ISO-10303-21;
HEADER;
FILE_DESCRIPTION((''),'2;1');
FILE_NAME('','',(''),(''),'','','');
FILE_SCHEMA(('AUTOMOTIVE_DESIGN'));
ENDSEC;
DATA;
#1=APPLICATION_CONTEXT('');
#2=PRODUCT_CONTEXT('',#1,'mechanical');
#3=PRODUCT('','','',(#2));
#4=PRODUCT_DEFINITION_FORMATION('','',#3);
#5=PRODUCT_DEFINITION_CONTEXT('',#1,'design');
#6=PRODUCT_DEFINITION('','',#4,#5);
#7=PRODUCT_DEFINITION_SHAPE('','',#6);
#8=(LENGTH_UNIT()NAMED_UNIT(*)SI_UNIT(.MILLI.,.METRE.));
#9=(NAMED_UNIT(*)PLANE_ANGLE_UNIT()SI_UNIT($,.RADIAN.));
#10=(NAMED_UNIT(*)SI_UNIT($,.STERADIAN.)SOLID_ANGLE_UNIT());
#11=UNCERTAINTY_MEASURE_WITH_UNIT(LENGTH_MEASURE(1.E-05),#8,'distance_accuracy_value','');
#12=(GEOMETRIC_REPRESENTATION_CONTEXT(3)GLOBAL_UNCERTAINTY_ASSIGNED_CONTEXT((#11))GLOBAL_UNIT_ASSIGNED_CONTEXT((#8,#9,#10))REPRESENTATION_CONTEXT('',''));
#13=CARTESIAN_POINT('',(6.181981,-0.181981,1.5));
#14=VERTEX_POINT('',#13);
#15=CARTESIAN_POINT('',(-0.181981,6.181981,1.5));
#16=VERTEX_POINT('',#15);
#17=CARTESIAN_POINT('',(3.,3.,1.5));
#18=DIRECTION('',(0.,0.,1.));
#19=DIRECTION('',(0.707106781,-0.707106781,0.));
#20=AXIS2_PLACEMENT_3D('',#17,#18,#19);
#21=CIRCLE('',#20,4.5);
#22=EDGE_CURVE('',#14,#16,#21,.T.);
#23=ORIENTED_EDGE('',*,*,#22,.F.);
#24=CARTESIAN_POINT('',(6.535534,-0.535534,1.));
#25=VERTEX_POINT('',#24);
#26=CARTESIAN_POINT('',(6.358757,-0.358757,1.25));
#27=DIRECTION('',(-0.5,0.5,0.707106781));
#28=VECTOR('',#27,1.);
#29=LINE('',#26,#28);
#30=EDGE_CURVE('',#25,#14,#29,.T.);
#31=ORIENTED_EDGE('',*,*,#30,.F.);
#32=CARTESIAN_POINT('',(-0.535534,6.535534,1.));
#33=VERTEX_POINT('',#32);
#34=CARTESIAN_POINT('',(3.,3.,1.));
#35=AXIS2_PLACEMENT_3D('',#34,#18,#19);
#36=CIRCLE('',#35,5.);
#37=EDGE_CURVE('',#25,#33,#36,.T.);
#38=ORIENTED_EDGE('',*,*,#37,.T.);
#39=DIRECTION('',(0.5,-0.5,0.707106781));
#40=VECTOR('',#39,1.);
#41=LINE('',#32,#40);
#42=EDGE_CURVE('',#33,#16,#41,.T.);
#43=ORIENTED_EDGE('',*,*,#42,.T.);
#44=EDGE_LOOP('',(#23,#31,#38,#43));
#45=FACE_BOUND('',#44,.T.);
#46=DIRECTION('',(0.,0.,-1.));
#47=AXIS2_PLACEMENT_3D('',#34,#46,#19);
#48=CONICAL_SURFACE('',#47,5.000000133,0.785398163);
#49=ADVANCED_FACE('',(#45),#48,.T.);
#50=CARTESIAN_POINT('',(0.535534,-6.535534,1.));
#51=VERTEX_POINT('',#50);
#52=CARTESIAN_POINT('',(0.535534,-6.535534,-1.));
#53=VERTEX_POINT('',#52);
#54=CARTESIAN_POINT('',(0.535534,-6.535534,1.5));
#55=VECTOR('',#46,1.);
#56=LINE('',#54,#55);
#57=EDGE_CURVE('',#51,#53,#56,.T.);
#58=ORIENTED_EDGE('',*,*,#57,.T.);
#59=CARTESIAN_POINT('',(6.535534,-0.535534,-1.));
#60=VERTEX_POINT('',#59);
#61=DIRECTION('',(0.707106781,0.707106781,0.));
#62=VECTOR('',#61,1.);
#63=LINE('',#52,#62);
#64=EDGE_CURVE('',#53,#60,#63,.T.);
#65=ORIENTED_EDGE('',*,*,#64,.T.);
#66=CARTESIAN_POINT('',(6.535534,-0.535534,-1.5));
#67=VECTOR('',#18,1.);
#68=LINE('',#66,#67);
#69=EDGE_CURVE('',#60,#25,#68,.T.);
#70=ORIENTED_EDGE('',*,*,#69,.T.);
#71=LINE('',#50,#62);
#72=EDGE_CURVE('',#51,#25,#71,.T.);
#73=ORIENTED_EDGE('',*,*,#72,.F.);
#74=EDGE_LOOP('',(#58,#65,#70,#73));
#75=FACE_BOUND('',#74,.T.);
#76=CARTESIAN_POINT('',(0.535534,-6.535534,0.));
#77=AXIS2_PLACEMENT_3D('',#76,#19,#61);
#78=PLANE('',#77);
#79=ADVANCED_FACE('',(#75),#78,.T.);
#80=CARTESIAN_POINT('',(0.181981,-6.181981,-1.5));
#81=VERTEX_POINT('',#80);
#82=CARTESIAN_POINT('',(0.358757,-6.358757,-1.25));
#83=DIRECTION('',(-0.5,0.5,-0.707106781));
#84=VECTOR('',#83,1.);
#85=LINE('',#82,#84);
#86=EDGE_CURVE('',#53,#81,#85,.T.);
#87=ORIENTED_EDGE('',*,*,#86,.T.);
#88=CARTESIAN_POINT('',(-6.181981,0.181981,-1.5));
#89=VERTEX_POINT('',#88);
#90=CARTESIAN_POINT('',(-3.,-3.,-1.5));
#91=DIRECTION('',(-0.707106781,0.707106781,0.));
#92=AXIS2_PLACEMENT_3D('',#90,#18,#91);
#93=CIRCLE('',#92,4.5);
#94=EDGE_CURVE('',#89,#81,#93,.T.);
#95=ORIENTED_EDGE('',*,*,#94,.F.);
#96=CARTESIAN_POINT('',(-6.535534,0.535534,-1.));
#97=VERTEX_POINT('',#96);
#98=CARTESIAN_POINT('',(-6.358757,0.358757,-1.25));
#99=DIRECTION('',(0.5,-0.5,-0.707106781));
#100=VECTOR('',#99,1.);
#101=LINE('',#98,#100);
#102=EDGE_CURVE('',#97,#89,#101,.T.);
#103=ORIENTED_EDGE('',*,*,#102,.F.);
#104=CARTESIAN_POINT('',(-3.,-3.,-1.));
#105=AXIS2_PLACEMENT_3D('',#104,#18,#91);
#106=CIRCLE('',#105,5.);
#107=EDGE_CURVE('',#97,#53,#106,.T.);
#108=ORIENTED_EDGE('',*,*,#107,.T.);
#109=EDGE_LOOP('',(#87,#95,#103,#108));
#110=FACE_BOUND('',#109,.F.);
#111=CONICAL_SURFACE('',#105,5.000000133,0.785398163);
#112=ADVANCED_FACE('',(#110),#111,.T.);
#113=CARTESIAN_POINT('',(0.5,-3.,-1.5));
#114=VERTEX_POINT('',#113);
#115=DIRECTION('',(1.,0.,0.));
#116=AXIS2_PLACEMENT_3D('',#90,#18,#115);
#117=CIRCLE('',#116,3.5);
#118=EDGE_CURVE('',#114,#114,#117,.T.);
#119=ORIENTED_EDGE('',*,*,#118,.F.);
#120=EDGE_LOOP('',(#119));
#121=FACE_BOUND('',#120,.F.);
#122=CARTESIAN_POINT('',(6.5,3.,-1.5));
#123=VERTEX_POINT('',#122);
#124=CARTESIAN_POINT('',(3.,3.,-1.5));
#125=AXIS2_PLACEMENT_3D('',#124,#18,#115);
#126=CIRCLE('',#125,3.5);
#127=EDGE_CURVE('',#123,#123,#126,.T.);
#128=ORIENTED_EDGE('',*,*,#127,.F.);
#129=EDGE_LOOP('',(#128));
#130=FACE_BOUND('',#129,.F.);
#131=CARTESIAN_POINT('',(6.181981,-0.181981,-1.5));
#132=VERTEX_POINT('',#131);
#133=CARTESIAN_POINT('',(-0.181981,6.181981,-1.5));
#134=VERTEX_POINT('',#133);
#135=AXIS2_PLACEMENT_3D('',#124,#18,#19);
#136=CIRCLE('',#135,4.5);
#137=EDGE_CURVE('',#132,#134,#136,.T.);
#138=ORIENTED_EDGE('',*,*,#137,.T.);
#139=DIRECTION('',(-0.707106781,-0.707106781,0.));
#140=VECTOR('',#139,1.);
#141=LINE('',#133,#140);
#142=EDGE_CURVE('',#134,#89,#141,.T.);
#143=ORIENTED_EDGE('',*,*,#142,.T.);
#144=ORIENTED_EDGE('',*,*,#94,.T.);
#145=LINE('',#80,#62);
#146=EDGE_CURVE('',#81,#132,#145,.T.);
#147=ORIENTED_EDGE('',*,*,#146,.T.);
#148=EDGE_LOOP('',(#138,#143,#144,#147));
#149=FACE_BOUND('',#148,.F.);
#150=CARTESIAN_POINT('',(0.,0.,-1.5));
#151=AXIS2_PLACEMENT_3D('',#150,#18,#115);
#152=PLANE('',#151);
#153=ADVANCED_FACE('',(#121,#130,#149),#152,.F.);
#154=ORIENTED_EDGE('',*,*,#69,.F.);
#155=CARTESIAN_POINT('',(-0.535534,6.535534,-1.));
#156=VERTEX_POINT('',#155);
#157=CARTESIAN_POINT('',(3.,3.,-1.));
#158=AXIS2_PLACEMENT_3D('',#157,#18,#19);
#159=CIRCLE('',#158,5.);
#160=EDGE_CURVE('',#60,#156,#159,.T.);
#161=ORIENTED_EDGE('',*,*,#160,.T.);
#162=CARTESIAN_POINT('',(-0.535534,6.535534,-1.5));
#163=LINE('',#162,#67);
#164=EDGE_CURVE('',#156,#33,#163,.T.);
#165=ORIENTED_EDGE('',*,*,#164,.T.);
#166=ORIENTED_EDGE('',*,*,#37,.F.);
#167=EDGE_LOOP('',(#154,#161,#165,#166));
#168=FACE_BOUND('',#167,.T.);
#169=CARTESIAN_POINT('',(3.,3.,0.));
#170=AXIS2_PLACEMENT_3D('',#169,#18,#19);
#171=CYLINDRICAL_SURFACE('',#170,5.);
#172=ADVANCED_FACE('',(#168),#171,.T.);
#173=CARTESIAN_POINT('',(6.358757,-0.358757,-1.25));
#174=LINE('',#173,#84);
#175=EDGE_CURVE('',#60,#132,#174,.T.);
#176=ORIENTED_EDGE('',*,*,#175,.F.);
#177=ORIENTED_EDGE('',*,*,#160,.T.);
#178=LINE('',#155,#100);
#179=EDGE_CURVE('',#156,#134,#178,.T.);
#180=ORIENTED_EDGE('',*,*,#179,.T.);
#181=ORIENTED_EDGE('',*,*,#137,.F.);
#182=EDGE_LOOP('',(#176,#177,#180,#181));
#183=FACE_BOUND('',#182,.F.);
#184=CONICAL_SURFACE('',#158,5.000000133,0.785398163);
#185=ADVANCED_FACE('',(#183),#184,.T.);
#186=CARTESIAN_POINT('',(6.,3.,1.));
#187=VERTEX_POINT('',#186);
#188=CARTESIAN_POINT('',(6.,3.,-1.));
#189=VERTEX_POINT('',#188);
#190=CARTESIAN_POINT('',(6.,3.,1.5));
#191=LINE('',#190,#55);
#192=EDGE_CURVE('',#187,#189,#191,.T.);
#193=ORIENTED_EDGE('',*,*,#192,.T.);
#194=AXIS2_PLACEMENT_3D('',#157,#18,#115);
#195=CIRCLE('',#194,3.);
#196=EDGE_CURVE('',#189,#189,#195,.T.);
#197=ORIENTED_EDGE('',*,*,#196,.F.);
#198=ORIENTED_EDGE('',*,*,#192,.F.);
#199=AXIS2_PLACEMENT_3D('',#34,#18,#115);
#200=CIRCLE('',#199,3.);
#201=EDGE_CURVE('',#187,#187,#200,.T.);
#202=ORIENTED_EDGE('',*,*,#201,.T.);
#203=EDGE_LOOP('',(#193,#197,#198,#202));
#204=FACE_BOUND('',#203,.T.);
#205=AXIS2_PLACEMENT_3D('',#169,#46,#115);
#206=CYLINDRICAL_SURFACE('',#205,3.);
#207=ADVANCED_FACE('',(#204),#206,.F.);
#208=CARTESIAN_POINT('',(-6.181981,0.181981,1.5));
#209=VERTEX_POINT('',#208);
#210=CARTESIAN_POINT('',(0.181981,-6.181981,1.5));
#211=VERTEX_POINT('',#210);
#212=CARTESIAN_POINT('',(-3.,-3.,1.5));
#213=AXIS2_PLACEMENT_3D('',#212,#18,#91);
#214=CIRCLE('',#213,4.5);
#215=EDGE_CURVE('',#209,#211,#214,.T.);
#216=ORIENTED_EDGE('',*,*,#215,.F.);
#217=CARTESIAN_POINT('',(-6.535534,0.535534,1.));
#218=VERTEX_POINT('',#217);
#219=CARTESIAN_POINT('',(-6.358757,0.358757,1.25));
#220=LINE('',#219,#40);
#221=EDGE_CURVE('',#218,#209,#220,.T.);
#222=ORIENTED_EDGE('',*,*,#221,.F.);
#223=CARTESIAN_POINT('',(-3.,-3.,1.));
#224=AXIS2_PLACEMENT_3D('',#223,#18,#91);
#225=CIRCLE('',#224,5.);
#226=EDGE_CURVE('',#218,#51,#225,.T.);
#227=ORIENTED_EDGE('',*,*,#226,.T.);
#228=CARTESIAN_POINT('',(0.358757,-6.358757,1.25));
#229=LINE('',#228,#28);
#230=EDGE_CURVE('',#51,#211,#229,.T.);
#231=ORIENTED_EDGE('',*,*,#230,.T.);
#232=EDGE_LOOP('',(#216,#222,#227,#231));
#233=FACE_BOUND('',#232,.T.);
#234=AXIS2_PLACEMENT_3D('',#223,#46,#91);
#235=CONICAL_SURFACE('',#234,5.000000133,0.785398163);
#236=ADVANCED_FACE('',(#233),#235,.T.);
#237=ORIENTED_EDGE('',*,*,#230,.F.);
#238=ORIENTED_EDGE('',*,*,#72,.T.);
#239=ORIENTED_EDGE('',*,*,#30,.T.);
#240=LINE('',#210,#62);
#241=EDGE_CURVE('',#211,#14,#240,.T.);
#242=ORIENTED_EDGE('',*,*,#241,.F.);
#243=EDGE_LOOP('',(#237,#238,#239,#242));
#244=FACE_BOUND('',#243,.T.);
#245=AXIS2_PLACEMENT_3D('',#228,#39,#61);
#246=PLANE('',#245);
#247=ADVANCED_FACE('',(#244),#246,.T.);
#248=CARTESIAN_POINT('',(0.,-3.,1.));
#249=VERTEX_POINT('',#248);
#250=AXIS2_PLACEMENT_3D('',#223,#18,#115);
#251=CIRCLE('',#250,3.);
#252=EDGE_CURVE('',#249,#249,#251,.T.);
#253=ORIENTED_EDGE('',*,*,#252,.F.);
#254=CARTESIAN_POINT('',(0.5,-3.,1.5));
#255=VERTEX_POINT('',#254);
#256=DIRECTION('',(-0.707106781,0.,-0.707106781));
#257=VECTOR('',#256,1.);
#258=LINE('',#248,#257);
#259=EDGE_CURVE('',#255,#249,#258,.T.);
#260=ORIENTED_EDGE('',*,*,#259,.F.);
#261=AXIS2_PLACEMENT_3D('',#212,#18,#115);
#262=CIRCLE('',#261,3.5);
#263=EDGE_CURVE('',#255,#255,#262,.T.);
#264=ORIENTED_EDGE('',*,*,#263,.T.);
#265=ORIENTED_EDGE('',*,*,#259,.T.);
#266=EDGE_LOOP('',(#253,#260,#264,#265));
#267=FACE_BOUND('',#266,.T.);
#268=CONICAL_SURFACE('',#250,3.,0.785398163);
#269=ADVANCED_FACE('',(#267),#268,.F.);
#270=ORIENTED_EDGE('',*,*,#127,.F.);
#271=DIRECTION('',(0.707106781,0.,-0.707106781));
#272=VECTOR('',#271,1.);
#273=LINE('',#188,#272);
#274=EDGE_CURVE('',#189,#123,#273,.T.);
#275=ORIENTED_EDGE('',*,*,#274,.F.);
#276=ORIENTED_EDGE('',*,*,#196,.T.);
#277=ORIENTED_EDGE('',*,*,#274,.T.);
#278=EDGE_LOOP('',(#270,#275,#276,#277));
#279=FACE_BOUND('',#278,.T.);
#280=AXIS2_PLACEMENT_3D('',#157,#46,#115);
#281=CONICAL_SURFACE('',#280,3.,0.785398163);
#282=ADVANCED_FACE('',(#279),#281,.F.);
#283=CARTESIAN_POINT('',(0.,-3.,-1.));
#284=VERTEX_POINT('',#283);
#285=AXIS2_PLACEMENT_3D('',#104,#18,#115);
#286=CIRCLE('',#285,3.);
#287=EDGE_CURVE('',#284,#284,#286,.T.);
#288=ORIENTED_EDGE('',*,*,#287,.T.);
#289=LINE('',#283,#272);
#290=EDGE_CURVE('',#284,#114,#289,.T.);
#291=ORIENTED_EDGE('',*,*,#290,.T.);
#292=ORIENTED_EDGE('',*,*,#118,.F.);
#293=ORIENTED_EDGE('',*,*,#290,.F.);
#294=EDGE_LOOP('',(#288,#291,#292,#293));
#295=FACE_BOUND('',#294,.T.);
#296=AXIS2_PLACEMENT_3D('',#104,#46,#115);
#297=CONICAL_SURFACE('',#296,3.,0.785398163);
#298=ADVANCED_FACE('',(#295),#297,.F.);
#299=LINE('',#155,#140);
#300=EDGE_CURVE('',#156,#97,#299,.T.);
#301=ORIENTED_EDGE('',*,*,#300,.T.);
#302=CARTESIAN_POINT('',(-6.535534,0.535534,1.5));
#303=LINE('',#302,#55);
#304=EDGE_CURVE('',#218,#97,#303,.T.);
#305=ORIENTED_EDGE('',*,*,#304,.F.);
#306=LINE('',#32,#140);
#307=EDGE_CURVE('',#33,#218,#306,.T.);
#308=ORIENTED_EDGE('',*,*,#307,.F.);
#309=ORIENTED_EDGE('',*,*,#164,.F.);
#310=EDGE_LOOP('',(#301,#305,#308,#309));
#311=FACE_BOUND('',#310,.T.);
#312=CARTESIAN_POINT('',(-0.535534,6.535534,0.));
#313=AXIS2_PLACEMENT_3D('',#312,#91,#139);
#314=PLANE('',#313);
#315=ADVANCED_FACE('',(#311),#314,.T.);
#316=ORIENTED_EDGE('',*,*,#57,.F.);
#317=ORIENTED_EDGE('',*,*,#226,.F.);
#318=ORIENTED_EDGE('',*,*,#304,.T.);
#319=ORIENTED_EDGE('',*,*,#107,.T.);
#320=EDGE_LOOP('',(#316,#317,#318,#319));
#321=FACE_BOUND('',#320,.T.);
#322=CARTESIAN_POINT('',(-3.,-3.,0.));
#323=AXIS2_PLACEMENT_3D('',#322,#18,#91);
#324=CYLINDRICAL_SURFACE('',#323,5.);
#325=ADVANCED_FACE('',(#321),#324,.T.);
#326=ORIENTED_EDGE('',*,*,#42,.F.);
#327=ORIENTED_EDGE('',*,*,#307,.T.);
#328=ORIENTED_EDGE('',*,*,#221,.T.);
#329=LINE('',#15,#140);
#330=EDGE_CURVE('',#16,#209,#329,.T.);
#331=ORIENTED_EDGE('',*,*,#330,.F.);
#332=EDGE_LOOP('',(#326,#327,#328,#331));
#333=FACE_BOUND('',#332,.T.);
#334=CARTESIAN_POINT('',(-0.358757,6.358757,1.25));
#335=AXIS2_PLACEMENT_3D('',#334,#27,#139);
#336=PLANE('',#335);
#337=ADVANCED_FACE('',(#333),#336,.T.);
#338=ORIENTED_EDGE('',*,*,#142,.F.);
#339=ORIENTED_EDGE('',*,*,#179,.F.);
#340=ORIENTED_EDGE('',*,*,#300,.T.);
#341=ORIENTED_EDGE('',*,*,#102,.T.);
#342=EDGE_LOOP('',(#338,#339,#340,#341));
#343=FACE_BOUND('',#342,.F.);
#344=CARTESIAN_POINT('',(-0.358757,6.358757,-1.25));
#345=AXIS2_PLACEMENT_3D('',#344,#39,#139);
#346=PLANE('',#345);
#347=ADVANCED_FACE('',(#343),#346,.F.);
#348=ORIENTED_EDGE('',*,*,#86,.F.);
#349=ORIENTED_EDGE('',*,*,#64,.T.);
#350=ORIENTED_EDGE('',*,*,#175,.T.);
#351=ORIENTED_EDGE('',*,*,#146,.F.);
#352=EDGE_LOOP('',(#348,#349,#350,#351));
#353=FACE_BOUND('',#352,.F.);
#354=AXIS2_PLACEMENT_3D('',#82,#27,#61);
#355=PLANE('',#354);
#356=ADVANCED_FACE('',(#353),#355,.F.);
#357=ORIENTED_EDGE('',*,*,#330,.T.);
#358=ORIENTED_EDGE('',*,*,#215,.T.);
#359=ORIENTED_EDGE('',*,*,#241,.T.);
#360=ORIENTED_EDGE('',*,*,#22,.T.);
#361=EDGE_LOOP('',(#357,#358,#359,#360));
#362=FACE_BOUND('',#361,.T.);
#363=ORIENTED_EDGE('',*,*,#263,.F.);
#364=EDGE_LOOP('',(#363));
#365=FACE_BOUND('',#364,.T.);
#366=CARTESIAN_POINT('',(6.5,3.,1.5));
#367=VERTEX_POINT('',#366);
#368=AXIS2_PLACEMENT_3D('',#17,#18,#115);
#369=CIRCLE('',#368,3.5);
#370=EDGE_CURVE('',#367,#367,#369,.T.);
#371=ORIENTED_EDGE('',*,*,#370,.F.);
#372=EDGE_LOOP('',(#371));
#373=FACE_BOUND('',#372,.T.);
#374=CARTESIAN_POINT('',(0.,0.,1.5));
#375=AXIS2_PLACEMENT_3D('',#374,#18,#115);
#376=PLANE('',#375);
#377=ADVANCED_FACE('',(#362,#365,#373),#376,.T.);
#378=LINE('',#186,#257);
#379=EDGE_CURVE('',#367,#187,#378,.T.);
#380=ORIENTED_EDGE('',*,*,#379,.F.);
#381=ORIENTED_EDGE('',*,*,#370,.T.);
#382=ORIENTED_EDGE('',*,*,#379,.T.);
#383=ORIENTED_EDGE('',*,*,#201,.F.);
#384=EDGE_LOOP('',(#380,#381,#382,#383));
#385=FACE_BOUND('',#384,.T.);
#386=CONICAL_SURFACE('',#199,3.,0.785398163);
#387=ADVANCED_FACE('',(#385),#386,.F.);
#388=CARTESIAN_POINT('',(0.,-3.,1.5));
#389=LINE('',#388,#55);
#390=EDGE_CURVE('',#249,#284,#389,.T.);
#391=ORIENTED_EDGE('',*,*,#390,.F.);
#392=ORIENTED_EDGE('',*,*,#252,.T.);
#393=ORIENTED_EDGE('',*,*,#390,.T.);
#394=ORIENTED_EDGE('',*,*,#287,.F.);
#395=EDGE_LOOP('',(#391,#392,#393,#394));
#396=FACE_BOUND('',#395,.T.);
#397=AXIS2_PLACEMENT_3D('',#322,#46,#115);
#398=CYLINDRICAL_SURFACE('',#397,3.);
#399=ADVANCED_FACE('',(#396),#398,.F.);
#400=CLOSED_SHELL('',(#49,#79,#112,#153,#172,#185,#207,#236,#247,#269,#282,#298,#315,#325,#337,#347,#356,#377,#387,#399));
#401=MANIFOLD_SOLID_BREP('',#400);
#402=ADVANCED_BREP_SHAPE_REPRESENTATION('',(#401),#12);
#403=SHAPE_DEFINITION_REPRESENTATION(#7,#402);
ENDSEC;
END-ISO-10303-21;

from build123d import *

# Parameters (mm, degrees)
F0_R     = 3
F1_DEPTH = 1.5
F2_SIZE  = 0.5


with BuildPart() as f1:
    # F0 (on Top) → F1 (new body, symmetric)
    with BuildSketch(Plane.XY):
        with BuildLine():
            Line((0.535534, -6.535534), (6.535534, -0.535534))
            ThreePointArc((6.535534, -0.535534), (6.535534, 6.535534), (-0.535534, 6.535534))
            Line((-0.535534, 6.535534), (-6.535534, 0.535534))
            ThreePointArc((-6.535534, 0.535534), (-6.535534, -6.535534), (0.535534, -6.535534))
        make_face()
        with Locations((-3, -3)):
            Circle(F0_R, mode=Mode.SUBTRACT)
        with Locations((3, 3)):
            Circle(F0_R, mode=Mode.SUBTRACT)
    extrude(amount=F1_DEPTH, both=True)

    # F2
    f2_edges = [f1.edges().sort_by_distance(p)[0] for p in [
        (-6, -3, -1.5),
        (-6, -3, 1.5),
        (0, 3, -1.5),
        (3.535534, -3.535534, 1.5),
        (0, 3, 1.5),
        (3.535534, -3.535534, -1.5),
    ]]
    chamfer(f2_edges, length=F2_SIZE)


solid = f1.part
